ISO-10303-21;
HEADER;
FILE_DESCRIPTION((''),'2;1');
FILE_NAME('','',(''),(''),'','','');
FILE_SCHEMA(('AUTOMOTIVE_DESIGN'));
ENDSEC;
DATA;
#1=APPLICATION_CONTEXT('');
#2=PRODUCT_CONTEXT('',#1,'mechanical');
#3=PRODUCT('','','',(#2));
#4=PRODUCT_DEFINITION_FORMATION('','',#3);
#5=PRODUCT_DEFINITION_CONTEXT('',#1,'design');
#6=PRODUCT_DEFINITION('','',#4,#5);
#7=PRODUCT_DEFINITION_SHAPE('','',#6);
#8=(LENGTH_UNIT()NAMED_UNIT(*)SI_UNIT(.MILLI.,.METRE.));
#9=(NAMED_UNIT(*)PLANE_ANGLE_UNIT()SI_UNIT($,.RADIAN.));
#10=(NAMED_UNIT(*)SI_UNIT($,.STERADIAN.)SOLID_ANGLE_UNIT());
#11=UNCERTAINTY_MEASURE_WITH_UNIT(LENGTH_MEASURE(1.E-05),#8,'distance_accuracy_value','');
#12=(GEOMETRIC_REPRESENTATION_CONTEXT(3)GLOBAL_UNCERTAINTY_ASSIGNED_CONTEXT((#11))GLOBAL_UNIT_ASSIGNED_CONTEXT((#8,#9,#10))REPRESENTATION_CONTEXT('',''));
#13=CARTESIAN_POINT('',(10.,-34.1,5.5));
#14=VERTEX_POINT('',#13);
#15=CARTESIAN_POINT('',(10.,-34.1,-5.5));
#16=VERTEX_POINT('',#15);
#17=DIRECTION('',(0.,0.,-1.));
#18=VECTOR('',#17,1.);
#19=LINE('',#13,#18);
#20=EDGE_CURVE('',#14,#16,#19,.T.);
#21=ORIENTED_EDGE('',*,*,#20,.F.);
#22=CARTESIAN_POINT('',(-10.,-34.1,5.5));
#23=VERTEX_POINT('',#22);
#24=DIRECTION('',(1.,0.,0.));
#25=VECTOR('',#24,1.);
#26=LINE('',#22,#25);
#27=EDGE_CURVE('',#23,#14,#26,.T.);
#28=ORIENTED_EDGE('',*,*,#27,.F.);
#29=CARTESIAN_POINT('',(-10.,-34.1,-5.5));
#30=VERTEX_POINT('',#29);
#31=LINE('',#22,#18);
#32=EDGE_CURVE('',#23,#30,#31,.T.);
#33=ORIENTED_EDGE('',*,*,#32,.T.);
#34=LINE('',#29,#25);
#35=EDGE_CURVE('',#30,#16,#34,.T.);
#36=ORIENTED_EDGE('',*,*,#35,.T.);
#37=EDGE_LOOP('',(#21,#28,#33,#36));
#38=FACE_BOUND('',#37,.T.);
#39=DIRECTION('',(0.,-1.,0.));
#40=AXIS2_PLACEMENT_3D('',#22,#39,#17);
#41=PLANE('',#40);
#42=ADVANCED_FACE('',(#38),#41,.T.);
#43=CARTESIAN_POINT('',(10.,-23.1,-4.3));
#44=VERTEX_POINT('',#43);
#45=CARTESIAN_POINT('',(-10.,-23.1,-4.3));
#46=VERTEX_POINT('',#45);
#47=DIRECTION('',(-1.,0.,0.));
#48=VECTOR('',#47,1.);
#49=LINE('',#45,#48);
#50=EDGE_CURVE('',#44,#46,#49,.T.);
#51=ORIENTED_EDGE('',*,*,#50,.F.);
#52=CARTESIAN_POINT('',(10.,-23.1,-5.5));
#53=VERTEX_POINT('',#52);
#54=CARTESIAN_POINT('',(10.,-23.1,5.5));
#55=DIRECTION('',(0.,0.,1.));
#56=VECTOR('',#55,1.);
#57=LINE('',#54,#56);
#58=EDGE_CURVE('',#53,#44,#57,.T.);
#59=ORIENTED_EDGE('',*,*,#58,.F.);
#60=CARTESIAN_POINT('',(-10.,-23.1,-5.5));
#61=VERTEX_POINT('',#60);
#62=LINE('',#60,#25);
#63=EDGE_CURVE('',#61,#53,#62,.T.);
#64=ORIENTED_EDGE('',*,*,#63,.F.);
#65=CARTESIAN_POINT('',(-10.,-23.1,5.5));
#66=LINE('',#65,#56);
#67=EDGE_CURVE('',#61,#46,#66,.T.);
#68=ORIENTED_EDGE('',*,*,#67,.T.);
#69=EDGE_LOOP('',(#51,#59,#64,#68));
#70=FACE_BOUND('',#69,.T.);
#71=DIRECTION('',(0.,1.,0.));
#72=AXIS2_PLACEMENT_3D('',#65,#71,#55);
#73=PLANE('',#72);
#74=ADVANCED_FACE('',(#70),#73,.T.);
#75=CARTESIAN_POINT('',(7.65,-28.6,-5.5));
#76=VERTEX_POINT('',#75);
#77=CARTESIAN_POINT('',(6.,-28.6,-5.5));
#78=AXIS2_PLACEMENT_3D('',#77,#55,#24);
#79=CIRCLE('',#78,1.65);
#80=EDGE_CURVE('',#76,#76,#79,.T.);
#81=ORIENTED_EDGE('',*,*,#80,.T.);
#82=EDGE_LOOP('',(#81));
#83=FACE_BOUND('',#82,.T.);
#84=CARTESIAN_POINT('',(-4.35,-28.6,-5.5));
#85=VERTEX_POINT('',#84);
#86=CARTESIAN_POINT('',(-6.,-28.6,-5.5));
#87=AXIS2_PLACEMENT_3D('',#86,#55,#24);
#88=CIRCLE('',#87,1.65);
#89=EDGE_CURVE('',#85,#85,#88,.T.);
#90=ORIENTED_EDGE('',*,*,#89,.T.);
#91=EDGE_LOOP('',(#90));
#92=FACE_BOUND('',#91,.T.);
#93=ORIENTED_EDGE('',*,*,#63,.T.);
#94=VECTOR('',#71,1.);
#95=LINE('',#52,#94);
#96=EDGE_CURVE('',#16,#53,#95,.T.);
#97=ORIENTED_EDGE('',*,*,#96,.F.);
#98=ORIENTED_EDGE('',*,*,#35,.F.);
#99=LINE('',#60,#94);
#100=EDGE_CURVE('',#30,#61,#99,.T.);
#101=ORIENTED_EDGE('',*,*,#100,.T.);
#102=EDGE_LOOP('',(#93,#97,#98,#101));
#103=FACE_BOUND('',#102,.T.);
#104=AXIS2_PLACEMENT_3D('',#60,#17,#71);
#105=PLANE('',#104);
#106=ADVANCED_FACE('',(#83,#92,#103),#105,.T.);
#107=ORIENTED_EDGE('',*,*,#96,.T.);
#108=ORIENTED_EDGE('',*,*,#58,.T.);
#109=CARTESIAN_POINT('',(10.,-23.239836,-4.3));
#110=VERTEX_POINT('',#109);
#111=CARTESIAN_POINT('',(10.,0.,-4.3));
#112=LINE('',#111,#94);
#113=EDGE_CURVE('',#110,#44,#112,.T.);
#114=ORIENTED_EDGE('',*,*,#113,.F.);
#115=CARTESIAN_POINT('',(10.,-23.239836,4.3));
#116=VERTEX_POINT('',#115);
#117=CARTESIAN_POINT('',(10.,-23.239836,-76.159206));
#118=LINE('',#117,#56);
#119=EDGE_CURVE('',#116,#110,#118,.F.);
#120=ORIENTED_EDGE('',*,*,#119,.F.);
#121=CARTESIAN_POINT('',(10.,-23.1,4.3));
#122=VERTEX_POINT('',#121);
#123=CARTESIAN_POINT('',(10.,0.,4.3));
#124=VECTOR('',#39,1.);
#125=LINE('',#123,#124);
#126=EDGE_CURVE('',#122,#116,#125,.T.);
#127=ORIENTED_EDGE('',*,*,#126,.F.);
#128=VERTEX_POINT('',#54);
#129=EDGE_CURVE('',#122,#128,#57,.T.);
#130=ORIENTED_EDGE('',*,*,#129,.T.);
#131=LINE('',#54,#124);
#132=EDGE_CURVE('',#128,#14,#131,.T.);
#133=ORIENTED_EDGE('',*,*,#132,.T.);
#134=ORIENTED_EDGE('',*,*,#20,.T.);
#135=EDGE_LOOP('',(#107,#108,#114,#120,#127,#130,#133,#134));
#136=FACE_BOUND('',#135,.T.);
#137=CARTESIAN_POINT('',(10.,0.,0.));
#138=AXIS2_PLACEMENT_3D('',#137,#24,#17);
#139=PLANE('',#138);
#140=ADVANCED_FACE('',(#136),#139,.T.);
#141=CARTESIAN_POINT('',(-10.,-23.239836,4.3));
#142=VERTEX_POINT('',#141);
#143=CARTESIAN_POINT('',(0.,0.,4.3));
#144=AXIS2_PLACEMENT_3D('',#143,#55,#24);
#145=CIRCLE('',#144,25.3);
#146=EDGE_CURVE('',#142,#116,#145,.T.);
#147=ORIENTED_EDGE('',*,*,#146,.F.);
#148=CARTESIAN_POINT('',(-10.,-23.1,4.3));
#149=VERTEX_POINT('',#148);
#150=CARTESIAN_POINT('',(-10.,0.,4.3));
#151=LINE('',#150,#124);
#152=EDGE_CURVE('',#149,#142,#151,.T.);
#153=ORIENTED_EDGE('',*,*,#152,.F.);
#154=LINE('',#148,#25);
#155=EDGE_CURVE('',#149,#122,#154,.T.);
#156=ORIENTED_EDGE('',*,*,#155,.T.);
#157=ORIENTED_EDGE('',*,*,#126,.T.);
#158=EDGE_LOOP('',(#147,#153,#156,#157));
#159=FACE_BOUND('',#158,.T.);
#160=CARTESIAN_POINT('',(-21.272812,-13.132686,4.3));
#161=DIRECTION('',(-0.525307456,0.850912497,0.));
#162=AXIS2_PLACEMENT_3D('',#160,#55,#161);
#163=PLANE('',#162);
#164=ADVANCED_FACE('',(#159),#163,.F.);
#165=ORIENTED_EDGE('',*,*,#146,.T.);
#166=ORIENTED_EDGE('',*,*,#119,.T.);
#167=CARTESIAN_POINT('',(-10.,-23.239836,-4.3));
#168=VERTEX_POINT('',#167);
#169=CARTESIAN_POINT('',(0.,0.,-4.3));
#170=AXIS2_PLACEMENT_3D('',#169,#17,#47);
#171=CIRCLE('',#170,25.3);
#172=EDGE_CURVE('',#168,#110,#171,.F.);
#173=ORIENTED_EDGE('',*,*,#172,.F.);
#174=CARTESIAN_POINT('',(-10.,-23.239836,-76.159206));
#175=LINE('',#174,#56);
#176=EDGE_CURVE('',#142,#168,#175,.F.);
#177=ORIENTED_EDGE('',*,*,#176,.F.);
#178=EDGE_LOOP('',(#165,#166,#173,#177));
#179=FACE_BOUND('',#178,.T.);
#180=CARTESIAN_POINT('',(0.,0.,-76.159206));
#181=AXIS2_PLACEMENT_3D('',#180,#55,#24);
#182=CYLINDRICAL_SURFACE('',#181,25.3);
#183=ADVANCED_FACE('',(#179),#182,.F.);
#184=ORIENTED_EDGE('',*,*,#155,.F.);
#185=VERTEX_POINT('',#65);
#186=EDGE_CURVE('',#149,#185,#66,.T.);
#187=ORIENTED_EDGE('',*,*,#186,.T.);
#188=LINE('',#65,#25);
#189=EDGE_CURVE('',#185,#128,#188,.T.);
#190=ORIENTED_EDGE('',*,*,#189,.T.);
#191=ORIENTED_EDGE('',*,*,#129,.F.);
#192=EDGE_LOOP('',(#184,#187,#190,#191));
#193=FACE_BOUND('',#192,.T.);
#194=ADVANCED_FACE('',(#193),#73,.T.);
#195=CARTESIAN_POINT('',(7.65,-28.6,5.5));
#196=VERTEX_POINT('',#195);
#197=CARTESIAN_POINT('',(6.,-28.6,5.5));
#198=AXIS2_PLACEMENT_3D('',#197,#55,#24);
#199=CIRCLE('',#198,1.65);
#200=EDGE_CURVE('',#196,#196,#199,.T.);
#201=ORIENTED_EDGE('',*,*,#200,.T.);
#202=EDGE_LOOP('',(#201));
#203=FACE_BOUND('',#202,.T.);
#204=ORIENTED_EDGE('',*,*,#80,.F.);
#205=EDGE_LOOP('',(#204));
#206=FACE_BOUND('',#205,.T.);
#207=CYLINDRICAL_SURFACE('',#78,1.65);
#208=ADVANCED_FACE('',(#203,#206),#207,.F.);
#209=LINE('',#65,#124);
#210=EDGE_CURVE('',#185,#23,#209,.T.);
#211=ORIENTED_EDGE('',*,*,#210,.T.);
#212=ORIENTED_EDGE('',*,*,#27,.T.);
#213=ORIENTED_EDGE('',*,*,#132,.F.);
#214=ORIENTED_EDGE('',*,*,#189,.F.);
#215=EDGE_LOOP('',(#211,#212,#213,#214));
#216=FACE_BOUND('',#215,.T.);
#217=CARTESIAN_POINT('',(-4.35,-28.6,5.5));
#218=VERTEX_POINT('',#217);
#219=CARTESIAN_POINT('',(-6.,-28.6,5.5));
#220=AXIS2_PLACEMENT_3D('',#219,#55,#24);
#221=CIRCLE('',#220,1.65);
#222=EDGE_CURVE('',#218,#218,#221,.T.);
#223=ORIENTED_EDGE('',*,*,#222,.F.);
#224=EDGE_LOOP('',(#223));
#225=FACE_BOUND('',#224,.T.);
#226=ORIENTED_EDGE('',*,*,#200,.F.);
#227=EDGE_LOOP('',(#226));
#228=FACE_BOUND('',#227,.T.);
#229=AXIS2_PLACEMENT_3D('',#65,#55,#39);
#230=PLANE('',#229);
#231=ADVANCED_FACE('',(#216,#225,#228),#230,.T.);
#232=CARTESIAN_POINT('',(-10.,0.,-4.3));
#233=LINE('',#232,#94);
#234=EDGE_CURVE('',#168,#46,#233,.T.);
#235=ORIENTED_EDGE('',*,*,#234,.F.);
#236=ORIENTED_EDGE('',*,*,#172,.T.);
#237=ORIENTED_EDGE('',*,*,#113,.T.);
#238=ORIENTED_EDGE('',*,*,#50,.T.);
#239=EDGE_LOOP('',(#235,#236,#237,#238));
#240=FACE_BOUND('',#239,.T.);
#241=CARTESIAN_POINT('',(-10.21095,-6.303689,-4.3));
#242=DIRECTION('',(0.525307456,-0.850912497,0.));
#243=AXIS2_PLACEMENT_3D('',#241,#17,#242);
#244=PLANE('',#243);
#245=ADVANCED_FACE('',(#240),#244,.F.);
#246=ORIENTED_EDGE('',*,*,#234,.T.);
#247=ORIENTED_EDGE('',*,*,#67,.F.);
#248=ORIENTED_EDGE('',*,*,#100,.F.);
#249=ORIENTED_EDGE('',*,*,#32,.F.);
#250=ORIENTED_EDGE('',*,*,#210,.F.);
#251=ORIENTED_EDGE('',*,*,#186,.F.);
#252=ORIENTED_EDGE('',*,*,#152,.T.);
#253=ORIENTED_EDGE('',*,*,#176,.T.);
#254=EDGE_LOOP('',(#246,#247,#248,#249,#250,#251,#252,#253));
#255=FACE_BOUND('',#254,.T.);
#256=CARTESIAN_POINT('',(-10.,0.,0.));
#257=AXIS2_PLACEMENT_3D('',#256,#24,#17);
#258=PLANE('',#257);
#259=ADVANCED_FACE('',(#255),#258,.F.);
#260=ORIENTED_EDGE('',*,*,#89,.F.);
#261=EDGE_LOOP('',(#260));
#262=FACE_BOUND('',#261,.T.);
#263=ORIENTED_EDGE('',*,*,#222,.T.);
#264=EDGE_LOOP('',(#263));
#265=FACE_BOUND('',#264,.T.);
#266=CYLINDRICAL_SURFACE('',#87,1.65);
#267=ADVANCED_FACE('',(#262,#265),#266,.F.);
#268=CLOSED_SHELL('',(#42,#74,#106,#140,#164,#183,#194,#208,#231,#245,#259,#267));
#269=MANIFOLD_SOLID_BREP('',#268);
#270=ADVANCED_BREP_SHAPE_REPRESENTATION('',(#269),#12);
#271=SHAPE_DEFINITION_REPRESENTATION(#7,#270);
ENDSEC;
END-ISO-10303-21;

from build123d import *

# Parameters (mm, degrees)
BOSS_EXTRUDE1_DEPTH           = 10
BOSS_EXTRUDE1_DEPTH_BACK      = 10
SKETCH1_W                     = 11
SKETCH1_H                     = 11
SKETCH3_R                     = 1.65
M4_THREADED_3_3_MM_THRU_DEPTH = 38.199596772
CUT_EXTRUDE1_DEPTH            = 4.3
CUT_EXTRUDE1_DEPTH_BACK       = 4.3
SKETCH4_R                     = 25.3


with BuildPart() as part:
    # Sketch1 → Boss-Extrude1 (new, two sides: drawn at the far end of the back side and taken through both)
    with BuildSketch(Plane(origin=(0, 0, 0), x_dir=(0, 0, -1), z_dir=(1, 0, 0)).offset(-BOSS_EXTRUDE1_DEPTH_BACK)):
        with Locations((0, -28.6)):
            Rectangle(SKETCH1_W, SKETCH1_H)
    extrude(amount=BOSS_EXTRUDE1_DEPTH + BOSS_EXTRUDE1_DEPTH_BACK)

    # Sketch3 → M4 threaded 3.3 mm-thru (cut, through all)
    with BuildSketch(Plane.XY.offset(5.5)):
        with Locations((6, -28.6)):
            Circle(SKETCH3_R)
        with Locations((-6, -28.6)):
            Circle(SKETCH3_R)
    extrude(amount=-M4_THREADED_3_3_MM_THRU_DEPTH, mode=Mode.SUBTRACT)

    # Sketch4 → Cut-Extrude1 (cut, two sides: drawn at the far end of the back side and taken through both)
    with BuildSketch(Plane.XY.offset(-CUT_EXTRUDE1_DEPTH_BACK)):
        Circle(SKETCH4_R)
    extrude(amount=CUT_EXTRUDE1_DEPTH + CUT_EXTRUDE1_DEPTH_BACK, mode=Mode.SUBTRACT)


solid = part.part
